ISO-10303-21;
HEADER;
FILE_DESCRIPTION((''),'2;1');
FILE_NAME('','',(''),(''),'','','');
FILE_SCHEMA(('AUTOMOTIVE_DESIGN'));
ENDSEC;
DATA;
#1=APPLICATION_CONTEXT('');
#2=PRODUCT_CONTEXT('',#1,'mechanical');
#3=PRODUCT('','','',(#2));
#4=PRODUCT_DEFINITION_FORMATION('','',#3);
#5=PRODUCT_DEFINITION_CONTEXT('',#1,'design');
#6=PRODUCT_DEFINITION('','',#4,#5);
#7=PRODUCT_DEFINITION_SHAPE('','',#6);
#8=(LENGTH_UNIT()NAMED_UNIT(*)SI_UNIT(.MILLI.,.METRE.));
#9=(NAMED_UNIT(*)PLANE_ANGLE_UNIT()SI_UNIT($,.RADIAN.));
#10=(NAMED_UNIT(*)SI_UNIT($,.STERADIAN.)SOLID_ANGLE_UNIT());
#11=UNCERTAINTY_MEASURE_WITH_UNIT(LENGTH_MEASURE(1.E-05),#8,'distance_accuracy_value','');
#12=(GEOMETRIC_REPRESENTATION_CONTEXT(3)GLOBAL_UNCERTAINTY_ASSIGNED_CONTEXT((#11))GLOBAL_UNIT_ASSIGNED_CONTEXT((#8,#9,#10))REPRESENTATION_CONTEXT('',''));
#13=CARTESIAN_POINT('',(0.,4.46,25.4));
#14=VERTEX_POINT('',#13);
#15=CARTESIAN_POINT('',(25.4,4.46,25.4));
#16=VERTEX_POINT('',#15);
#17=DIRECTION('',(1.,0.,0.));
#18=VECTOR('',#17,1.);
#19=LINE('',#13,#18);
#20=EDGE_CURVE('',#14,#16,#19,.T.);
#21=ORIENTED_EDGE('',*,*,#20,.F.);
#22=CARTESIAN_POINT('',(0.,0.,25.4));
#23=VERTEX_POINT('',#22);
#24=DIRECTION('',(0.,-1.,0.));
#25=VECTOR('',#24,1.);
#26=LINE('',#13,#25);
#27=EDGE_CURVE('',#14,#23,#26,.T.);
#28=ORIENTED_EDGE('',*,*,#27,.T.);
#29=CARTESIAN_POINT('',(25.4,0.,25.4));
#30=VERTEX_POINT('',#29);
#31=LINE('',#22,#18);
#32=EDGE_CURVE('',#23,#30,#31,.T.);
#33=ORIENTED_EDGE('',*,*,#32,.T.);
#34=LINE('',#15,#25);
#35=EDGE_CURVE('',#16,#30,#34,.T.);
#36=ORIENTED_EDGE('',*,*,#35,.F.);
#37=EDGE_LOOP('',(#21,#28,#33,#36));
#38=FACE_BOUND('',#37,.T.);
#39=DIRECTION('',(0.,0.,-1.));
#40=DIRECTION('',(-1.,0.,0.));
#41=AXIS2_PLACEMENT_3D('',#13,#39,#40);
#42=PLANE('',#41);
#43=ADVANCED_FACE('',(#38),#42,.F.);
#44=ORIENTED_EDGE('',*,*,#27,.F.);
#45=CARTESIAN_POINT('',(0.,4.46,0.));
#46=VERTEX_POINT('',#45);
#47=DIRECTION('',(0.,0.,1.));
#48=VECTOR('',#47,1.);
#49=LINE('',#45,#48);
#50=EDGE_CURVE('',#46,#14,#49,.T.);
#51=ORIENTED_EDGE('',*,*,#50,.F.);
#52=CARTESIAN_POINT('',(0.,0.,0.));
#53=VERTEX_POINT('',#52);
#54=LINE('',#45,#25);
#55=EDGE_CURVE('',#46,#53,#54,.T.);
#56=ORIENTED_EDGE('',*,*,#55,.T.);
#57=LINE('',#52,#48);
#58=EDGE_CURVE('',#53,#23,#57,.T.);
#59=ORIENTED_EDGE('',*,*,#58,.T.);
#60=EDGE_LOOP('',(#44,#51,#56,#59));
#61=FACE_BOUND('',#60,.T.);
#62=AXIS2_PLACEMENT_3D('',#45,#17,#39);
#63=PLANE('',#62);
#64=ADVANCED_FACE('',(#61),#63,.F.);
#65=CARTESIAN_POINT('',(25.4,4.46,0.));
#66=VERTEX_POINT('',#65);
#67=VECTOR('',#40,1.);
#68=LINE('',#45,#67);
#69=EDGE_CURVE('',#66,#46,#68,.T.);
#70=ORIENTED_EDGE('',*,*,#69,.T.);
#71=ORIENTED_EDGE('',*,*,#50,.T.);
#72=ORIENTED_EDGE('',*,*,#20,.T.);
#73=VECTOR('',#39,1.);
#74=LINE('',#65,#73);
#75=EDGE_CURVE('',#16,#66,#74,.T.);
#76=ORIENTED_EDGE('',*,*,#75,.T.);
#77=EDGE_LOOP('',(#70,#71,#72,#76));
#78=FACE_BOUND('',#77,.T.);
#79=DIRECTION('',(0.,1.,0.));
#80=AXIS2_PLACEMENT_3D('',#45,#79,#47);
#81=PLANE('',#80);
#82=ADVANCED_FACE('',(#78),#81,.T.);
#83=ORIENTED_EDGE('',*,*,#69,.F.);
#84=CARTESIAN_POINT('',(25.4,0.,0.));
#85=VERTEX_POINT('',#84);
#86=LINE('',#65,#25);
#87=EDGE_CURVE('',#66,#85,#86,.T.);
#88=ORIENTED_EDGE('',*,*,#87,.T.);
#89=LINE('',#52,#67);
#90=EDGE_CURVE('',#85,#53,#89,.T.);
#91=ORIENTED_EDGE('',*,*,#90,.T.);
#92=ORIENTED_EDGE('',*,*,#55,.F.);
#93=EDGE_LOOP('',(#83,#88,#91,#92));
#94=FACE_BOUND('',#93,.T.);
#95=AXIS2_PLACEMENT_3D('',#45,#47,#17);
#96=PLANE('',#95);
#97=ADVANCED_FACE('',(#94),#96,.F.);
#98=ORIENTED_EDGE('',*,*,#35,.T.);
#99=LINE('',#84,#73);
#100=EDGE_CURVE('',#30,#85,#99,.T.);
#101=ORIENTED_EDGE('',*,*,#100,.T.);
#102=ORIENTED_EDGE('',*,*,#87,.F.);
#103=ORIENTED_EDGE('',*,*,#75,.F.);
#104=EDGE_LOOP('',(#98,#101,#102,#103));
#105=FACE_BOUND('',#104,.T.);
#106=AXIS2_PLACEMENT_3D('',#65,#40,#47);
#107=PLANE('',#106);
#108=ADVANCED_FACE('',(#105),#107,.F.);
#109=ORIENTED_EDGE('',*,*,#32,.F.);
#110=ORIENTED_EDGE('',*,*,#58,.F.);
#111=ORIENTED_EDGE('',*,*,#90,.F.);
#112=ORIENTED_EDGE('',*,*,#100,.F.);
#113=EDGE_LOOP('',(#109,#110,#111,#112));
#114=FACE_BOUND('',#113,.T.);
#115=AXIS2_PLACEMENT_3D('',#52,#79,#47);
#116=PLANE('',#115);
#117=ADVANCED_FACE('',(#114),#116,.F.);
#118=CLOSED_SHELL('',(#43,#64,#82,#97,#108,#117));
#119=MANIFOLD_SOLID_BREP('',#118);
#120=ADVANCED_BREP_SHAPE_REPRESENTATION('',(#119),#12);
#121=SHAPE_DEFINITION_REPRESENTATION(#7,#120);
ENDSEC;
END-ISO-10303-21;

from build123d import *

# Parameters (mm, degrees)
SKETCH1_W           = 25.4
SKETCH1_H           = 25.4
BOSS_EXTRUDE1_DEPTH = 4.46


with BuildPart() as part:
    # Sketch1 → Boss-Extrude1 (new body)
    with BuildSketch(Plane(origin=(0, 0, 0), x_dir=(1, 0, 0), z_dir=(0, 1, 0))):
        with Locations((12.7, -12.7)):
            Rectangle(SKETCH1_W, SKETCH1_H)
    extrude(amount=BOSS_EXTRUDE1_DEPTH)


solid = part.part
